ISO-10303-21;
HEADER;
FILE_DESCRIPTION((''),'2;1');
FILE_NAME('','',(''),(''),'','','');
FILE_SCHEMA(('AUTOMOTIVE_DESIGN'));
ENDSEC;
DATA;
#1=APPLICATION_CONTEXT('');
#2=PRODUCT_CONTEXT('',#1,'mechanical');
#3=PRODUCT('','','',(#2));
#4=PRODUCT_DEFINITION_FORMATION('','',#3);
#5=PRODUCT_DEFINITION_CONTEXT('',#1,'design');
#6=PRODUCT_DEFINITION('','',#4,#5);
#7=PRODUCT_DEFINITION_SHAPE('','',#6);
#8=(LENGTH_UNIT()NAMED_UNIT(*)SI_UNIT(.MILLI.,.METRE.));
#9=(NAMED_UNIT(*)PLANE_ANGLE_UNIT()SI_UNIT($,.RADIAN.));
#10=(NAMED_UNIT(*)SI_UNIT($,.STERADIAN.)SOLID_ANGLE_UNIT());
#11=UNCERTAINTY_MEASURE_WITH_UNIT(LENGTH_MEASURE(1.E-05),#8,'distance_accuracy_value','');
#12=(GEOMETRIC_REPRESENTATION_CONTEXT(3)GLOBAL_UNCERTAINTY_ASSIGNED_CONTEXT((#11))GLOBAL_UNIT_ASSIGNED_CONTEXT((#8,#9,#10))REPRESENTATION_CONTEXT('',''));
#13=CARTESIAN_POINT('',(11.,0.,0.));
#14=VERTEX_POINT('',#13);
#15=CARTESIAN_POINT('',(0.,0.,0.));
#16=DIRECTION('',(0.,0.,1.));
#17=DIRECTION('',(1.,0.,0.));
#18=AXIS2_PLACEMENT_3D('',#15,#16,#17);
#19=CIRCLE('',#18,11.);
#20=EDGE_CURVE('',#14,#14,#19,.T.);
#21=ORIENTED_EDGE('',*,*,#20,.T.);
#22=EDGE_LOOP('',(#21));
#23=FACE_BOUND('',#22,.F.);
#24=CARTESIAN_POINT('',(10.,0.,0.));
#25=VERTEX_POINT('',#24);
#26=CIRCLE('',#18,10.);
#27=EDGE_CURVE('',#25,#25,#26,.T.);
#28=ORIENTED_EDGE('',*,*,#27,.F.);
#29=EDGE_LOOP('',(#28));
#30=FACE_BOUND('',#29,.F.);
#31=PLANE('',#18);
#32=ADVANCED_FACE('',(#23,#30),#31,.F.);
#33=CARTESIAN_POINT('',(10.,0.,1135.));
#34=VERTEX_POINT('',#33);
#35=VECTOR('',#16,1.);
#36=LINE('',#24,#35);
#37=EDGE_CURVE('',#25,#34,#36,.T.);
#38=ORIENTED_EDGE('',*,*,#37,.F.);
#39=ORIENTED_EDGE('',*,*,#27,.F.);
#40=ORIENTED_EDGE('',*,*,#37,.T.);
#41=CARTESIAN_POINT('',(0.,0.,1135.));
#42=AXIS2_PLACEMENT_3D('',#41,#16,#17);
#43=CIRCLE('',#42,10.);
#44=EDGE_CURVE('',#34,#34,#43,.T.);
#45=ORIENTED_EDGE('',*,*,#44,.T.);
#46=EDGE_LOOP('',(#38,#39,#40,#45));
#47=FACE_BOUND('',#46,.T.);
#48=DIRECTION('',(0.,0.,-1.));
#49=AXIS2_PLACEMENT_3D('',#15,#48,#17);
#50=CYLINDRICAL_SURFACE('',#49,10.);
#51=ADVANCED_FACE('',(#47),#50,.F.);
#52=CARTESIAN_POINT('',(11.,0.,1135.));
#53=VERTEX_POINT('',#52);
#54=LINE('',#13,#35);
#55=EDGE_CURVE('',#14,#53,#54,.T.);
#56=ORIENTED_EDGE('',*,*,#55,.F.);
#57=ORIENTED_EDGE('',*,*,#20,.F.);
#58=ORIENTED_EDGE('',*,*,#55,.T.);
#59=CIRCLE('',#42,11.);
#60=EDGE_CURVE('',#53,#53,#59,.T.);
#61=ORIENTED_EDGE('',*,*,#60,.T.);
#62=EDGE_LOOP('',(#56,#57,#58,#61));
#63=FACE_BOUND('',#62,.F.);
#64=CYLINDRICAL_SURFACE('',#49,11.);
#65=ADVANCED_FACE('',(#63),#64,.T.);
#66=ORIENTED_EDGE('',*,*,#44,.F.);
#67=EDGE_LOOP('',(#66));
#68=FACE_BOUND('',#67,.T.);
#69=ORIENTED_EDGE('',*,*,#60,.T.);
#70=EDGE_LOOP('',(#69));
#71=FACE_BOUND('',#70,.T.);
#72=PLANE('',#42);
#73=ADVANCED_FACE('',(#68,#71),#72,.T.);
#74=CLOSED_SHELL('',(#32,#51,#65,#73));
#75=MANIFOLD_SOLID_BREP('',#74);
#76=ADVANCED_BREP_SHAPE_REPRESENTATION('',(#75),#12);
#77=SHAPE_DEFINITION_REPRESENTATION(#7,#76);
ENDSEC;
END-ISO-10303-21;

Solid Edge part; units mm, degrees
sketch "Sketch1" plane through (0, 0, 0) normal (0, 0, 1) x (1, 0, 0)
  circle A0 centre (0, 0) radius 11
  circle A1 centre (0, 0) radius 10
extrude "ExtrudedProtrusion_2" add sketch "Sketch1" along normal blind 1135
properties material "PVC"
